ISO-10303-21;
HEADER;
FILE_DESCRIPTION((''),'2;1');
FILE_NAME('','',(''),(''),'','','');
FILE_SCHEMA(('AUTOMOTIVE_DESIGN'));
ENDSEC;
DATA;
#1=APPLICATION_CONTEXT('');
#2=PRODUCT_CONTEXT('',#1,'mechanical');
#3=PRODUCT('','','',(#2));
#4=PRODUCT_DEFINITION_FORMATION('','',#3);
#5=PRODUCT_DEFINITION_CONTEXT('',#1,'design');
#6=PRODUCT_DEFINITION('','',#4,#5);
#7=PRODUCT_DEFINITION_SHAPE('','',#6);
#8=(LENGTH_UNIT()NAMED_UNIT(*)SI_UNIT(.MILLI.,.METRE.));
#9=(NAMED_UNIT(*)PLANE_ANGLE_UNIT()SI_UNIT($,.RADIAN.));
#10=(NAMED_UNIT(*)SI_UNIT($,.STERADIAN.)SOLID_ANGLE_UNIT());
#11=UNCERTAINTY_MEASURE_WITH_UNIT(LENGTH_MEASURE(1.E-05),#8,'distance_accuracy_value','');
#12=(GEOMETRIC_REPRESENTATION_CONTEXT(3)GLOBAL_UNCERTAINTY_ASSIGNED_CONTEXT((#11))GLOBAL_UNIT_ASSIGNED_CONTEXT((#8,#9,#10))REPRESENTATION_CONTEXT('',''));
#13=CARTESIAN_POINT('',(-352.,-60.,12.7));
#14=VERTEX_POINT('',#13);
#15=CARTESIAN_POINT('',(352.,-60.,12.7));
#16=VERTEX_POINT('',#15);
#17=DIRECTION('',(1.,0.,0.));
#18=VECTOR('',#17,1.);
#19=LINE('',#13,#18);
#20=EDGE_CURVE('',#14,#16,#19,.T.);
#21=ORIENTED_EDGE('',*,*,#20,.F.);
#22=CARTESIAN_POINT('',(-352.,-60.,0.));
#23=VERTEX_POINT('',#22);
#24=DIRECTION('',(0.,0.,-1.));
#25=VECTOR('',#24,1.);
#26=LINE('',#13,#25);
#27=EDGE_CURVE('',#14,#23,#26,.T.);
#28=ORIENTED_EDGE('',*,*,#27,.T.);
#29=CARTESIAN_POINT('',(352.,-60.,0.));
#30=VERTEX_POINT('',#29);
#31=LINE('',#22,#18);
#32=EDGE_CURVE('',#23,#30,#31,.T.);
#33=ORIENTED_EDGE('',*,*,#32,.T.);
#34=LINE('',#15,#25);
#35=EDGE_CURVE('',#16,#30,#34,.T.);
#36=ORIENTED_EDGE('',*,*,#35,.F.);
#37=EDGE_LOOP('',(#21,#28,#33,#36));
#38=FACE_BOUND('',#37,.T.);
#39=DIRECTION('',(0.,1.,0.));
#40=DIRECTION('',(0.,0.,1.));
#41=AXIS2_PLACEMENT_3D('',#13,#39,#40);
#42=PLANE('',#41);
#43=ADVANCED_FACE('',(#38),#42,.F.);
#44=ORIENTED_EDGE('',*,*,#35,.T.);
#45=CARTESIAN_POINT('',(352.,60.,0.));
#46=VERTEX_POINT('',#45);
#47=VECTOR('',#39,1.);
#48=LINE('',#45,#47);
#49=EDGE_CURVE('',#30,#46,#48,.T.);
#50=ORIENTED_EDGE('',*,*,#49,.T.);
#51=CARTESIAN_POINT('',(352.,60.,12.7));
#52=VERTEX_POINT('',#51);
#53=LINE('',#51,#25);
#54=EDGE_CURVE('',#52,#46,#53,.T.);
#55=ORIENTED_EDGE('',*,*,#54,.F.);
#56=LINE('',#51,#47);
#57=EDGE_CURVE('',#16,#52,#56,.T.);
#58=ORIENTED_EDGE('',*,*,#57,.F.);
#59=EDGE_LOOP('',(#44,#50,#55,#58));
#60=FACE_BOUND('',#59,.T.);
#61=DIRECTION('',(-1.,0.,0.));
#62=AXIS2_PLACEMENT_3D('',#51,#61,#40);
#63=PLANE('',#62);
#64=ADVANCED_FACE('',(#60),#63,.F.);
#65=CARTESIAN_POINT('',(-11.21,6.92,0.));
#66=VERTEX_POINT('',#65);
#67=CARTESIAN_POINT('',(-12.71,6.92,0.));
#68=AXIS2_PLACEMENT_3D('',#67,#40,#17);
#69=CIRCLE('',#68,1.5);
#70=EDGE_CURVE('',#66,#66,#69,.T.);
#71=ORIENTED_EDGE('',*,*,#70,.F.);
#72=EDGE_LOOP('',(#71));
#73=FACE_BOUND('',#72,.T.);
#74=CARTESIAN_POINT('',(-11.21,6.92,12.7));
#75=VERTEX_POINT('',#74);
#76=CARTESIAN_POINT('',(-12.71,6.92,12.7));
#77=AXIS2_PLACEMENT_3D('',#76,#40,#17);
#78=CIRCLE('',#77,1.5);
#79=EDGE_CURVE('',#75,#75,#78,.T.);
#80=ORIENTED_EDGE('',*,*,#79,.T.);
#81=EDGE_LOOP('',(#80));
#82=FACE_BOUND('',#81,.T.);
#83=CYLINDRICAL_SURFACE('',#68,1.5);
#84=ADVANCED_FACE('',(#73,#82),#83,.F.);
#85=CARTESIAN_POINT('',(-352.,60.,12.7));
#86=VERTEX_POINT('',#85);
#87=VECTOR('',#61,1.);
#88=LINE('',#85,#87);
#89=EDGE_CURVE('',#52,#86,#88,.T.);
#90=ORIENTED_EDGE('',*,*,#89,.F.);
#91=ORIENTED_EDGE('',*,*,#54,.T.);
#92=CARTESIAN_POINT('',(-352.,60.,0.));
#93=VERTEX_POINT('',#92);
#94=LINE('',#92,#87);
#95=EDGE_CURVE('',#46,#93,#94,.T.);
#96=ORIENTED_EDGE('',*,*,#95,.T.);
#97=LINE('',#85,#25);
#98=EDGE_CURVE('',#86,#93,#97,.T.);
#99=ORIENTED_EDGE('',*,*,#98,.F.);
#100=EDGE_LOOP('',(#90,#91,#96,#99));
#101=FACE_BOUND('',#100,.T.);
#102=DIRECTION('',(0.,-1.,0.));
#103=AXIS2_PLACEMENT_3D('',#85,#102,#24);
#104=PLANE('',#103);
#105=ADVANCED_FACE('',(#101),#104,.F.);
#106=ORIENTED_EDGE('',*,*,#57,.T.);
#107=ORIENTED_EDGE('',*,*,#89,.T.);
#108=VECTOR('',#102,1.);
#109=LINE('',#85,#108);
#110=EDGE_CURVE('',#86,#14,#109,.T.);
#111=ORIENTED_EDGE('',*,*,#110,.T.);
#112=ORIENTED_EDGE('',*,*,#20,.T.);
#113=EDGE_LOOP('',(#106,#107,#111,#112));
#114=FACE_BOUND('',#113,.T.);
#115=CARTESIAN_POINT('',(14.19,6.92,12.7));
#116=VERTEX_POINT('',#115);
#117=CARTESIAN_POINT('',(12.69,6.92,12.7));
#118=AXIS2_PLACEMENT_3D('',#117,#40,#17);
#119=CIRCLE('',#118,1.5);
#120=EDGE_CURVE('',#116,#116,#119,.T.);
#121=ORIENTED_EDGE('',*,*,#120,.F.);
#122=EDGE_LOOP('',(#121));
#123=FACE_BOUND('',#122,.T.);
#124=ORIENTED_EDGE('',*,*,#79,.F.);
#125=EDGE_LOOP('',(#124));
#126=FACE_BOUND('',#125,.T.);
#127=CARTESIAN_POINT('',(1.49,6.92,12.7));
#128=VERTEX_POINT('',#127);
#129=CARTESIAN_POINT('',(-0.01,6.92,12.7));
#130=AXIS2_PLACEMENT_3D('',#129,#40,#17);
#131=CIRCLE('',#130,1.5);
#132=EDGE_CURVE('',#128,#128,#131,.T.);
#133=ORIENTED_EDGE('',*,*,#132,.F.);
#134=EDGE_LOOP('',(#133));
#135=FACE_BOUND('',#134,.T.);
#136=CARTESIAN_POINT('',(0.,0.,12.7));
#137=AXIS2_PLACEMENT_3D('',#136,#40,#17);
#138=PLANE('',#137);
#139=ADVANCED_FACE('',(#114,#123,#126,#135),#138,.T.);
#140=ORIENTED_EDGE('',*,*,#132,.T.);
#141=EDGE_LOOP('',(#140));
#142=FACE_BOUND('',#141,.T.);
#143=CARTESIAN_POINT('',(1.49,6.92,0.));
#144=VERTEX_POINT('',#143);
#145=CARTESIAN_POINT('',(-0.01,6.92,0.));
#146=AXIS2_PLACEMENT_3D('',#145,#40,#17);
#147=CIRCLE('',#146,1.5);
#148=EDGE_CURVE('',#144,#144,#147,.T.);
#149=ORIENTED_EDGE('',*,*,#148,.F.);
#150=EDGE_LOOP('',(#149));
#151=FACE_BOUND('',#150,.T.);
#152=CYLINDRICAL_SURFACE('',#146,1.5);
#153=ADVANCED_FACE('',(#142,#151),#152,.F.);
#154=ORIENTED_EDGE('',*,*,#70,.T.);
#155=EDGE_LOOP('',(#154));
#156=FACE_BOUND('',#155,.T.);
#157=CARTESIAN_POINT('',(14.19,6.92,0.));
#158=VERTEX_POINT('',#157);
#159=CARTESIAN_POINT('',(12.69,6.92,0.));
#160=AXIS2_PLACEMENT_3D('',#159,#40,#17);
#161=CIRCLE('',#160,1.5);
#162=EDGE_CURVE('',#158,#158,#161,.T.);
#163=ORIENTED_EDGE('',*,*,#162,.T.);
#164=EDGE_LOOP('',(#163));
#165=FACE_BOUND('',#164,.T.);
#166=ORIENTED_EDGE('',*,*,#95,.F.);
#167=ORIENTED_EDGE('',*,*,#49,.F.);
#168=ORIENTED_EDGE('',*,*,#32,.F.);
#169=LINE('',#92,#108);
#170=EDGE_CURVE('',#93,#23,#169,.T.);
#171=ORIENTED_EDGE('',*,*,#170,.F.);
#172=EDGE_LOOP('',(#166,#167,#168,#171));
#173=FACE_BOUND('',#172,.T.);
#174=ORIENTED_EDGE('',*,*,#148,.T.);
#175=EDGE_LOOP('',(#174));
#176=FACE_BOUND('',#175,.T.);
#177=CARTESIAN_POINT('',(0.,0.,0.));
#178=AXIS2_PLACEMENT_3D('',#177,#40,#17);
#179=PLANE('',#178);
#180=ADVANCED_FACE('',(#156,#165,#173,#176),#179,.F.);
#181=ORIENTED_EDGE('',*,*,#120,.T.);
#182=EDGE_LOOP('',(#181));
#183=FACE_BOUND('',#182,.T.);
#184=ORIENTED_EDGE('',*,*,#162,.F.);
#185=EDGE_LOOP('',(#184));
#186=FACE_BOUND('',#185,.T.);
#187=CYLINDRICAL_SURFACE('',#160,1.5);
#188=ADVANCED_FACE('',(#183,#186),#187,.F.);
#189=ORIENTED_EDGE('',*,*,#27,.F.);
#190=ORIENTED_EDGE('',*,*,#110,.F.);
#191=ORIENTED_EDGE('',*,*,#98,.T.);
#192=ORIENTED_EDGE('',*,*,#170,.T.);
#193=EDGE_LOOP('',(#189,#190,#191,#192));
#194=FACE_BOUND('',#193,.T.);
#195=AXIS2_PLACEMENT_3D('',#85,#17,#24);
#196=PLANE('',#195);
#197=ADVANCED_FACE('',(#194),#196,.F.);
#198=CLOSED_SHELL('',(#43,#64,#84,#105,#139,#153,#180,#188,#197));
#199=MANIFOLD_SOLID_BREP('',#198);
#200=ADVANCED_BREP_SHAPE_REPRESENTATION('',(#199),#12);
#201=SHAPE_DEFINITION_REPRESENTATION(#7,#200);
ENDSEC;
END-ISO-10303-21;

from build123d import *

# Parameters (mm, degrees)
SKETCH_1_W          = 704
SKETCH_1_H          = 120
EXTRUDE_1_DEPTH     = 12.7
SKETCH_2_R          = 1.5
CUT_EXTRUDE_1_DEPTH = 358.302798758


with BuildPart() as part:
    # 草图1 → 凸台-拉伸1 (new body)
    with BuildSketch(Plane.XY):
        Rectangle(SKETCH_1_W, SKETCH_1_H)
    extrude(amount=EXTRUDE_1_DEPTH)

    # 草图2 → 切除-拉伸1 (cut, through all)
    with BuildSketch(Plane.XY.offset(12.7)):
        with Locations((12.69, 6.92)):
            Circle(SKETCH_2_R)
        with Locations((-0.01, 6.92)):
            Circle(SKETCH_2_R)
        with Locations((-12.71, 6.92)):
            Circle(SKETCH_2_R)
    extrude(amount=-CUT_EXTRUDE_1_DEPTH, mode=Mode.SUBTRACT)


solid = part.part
